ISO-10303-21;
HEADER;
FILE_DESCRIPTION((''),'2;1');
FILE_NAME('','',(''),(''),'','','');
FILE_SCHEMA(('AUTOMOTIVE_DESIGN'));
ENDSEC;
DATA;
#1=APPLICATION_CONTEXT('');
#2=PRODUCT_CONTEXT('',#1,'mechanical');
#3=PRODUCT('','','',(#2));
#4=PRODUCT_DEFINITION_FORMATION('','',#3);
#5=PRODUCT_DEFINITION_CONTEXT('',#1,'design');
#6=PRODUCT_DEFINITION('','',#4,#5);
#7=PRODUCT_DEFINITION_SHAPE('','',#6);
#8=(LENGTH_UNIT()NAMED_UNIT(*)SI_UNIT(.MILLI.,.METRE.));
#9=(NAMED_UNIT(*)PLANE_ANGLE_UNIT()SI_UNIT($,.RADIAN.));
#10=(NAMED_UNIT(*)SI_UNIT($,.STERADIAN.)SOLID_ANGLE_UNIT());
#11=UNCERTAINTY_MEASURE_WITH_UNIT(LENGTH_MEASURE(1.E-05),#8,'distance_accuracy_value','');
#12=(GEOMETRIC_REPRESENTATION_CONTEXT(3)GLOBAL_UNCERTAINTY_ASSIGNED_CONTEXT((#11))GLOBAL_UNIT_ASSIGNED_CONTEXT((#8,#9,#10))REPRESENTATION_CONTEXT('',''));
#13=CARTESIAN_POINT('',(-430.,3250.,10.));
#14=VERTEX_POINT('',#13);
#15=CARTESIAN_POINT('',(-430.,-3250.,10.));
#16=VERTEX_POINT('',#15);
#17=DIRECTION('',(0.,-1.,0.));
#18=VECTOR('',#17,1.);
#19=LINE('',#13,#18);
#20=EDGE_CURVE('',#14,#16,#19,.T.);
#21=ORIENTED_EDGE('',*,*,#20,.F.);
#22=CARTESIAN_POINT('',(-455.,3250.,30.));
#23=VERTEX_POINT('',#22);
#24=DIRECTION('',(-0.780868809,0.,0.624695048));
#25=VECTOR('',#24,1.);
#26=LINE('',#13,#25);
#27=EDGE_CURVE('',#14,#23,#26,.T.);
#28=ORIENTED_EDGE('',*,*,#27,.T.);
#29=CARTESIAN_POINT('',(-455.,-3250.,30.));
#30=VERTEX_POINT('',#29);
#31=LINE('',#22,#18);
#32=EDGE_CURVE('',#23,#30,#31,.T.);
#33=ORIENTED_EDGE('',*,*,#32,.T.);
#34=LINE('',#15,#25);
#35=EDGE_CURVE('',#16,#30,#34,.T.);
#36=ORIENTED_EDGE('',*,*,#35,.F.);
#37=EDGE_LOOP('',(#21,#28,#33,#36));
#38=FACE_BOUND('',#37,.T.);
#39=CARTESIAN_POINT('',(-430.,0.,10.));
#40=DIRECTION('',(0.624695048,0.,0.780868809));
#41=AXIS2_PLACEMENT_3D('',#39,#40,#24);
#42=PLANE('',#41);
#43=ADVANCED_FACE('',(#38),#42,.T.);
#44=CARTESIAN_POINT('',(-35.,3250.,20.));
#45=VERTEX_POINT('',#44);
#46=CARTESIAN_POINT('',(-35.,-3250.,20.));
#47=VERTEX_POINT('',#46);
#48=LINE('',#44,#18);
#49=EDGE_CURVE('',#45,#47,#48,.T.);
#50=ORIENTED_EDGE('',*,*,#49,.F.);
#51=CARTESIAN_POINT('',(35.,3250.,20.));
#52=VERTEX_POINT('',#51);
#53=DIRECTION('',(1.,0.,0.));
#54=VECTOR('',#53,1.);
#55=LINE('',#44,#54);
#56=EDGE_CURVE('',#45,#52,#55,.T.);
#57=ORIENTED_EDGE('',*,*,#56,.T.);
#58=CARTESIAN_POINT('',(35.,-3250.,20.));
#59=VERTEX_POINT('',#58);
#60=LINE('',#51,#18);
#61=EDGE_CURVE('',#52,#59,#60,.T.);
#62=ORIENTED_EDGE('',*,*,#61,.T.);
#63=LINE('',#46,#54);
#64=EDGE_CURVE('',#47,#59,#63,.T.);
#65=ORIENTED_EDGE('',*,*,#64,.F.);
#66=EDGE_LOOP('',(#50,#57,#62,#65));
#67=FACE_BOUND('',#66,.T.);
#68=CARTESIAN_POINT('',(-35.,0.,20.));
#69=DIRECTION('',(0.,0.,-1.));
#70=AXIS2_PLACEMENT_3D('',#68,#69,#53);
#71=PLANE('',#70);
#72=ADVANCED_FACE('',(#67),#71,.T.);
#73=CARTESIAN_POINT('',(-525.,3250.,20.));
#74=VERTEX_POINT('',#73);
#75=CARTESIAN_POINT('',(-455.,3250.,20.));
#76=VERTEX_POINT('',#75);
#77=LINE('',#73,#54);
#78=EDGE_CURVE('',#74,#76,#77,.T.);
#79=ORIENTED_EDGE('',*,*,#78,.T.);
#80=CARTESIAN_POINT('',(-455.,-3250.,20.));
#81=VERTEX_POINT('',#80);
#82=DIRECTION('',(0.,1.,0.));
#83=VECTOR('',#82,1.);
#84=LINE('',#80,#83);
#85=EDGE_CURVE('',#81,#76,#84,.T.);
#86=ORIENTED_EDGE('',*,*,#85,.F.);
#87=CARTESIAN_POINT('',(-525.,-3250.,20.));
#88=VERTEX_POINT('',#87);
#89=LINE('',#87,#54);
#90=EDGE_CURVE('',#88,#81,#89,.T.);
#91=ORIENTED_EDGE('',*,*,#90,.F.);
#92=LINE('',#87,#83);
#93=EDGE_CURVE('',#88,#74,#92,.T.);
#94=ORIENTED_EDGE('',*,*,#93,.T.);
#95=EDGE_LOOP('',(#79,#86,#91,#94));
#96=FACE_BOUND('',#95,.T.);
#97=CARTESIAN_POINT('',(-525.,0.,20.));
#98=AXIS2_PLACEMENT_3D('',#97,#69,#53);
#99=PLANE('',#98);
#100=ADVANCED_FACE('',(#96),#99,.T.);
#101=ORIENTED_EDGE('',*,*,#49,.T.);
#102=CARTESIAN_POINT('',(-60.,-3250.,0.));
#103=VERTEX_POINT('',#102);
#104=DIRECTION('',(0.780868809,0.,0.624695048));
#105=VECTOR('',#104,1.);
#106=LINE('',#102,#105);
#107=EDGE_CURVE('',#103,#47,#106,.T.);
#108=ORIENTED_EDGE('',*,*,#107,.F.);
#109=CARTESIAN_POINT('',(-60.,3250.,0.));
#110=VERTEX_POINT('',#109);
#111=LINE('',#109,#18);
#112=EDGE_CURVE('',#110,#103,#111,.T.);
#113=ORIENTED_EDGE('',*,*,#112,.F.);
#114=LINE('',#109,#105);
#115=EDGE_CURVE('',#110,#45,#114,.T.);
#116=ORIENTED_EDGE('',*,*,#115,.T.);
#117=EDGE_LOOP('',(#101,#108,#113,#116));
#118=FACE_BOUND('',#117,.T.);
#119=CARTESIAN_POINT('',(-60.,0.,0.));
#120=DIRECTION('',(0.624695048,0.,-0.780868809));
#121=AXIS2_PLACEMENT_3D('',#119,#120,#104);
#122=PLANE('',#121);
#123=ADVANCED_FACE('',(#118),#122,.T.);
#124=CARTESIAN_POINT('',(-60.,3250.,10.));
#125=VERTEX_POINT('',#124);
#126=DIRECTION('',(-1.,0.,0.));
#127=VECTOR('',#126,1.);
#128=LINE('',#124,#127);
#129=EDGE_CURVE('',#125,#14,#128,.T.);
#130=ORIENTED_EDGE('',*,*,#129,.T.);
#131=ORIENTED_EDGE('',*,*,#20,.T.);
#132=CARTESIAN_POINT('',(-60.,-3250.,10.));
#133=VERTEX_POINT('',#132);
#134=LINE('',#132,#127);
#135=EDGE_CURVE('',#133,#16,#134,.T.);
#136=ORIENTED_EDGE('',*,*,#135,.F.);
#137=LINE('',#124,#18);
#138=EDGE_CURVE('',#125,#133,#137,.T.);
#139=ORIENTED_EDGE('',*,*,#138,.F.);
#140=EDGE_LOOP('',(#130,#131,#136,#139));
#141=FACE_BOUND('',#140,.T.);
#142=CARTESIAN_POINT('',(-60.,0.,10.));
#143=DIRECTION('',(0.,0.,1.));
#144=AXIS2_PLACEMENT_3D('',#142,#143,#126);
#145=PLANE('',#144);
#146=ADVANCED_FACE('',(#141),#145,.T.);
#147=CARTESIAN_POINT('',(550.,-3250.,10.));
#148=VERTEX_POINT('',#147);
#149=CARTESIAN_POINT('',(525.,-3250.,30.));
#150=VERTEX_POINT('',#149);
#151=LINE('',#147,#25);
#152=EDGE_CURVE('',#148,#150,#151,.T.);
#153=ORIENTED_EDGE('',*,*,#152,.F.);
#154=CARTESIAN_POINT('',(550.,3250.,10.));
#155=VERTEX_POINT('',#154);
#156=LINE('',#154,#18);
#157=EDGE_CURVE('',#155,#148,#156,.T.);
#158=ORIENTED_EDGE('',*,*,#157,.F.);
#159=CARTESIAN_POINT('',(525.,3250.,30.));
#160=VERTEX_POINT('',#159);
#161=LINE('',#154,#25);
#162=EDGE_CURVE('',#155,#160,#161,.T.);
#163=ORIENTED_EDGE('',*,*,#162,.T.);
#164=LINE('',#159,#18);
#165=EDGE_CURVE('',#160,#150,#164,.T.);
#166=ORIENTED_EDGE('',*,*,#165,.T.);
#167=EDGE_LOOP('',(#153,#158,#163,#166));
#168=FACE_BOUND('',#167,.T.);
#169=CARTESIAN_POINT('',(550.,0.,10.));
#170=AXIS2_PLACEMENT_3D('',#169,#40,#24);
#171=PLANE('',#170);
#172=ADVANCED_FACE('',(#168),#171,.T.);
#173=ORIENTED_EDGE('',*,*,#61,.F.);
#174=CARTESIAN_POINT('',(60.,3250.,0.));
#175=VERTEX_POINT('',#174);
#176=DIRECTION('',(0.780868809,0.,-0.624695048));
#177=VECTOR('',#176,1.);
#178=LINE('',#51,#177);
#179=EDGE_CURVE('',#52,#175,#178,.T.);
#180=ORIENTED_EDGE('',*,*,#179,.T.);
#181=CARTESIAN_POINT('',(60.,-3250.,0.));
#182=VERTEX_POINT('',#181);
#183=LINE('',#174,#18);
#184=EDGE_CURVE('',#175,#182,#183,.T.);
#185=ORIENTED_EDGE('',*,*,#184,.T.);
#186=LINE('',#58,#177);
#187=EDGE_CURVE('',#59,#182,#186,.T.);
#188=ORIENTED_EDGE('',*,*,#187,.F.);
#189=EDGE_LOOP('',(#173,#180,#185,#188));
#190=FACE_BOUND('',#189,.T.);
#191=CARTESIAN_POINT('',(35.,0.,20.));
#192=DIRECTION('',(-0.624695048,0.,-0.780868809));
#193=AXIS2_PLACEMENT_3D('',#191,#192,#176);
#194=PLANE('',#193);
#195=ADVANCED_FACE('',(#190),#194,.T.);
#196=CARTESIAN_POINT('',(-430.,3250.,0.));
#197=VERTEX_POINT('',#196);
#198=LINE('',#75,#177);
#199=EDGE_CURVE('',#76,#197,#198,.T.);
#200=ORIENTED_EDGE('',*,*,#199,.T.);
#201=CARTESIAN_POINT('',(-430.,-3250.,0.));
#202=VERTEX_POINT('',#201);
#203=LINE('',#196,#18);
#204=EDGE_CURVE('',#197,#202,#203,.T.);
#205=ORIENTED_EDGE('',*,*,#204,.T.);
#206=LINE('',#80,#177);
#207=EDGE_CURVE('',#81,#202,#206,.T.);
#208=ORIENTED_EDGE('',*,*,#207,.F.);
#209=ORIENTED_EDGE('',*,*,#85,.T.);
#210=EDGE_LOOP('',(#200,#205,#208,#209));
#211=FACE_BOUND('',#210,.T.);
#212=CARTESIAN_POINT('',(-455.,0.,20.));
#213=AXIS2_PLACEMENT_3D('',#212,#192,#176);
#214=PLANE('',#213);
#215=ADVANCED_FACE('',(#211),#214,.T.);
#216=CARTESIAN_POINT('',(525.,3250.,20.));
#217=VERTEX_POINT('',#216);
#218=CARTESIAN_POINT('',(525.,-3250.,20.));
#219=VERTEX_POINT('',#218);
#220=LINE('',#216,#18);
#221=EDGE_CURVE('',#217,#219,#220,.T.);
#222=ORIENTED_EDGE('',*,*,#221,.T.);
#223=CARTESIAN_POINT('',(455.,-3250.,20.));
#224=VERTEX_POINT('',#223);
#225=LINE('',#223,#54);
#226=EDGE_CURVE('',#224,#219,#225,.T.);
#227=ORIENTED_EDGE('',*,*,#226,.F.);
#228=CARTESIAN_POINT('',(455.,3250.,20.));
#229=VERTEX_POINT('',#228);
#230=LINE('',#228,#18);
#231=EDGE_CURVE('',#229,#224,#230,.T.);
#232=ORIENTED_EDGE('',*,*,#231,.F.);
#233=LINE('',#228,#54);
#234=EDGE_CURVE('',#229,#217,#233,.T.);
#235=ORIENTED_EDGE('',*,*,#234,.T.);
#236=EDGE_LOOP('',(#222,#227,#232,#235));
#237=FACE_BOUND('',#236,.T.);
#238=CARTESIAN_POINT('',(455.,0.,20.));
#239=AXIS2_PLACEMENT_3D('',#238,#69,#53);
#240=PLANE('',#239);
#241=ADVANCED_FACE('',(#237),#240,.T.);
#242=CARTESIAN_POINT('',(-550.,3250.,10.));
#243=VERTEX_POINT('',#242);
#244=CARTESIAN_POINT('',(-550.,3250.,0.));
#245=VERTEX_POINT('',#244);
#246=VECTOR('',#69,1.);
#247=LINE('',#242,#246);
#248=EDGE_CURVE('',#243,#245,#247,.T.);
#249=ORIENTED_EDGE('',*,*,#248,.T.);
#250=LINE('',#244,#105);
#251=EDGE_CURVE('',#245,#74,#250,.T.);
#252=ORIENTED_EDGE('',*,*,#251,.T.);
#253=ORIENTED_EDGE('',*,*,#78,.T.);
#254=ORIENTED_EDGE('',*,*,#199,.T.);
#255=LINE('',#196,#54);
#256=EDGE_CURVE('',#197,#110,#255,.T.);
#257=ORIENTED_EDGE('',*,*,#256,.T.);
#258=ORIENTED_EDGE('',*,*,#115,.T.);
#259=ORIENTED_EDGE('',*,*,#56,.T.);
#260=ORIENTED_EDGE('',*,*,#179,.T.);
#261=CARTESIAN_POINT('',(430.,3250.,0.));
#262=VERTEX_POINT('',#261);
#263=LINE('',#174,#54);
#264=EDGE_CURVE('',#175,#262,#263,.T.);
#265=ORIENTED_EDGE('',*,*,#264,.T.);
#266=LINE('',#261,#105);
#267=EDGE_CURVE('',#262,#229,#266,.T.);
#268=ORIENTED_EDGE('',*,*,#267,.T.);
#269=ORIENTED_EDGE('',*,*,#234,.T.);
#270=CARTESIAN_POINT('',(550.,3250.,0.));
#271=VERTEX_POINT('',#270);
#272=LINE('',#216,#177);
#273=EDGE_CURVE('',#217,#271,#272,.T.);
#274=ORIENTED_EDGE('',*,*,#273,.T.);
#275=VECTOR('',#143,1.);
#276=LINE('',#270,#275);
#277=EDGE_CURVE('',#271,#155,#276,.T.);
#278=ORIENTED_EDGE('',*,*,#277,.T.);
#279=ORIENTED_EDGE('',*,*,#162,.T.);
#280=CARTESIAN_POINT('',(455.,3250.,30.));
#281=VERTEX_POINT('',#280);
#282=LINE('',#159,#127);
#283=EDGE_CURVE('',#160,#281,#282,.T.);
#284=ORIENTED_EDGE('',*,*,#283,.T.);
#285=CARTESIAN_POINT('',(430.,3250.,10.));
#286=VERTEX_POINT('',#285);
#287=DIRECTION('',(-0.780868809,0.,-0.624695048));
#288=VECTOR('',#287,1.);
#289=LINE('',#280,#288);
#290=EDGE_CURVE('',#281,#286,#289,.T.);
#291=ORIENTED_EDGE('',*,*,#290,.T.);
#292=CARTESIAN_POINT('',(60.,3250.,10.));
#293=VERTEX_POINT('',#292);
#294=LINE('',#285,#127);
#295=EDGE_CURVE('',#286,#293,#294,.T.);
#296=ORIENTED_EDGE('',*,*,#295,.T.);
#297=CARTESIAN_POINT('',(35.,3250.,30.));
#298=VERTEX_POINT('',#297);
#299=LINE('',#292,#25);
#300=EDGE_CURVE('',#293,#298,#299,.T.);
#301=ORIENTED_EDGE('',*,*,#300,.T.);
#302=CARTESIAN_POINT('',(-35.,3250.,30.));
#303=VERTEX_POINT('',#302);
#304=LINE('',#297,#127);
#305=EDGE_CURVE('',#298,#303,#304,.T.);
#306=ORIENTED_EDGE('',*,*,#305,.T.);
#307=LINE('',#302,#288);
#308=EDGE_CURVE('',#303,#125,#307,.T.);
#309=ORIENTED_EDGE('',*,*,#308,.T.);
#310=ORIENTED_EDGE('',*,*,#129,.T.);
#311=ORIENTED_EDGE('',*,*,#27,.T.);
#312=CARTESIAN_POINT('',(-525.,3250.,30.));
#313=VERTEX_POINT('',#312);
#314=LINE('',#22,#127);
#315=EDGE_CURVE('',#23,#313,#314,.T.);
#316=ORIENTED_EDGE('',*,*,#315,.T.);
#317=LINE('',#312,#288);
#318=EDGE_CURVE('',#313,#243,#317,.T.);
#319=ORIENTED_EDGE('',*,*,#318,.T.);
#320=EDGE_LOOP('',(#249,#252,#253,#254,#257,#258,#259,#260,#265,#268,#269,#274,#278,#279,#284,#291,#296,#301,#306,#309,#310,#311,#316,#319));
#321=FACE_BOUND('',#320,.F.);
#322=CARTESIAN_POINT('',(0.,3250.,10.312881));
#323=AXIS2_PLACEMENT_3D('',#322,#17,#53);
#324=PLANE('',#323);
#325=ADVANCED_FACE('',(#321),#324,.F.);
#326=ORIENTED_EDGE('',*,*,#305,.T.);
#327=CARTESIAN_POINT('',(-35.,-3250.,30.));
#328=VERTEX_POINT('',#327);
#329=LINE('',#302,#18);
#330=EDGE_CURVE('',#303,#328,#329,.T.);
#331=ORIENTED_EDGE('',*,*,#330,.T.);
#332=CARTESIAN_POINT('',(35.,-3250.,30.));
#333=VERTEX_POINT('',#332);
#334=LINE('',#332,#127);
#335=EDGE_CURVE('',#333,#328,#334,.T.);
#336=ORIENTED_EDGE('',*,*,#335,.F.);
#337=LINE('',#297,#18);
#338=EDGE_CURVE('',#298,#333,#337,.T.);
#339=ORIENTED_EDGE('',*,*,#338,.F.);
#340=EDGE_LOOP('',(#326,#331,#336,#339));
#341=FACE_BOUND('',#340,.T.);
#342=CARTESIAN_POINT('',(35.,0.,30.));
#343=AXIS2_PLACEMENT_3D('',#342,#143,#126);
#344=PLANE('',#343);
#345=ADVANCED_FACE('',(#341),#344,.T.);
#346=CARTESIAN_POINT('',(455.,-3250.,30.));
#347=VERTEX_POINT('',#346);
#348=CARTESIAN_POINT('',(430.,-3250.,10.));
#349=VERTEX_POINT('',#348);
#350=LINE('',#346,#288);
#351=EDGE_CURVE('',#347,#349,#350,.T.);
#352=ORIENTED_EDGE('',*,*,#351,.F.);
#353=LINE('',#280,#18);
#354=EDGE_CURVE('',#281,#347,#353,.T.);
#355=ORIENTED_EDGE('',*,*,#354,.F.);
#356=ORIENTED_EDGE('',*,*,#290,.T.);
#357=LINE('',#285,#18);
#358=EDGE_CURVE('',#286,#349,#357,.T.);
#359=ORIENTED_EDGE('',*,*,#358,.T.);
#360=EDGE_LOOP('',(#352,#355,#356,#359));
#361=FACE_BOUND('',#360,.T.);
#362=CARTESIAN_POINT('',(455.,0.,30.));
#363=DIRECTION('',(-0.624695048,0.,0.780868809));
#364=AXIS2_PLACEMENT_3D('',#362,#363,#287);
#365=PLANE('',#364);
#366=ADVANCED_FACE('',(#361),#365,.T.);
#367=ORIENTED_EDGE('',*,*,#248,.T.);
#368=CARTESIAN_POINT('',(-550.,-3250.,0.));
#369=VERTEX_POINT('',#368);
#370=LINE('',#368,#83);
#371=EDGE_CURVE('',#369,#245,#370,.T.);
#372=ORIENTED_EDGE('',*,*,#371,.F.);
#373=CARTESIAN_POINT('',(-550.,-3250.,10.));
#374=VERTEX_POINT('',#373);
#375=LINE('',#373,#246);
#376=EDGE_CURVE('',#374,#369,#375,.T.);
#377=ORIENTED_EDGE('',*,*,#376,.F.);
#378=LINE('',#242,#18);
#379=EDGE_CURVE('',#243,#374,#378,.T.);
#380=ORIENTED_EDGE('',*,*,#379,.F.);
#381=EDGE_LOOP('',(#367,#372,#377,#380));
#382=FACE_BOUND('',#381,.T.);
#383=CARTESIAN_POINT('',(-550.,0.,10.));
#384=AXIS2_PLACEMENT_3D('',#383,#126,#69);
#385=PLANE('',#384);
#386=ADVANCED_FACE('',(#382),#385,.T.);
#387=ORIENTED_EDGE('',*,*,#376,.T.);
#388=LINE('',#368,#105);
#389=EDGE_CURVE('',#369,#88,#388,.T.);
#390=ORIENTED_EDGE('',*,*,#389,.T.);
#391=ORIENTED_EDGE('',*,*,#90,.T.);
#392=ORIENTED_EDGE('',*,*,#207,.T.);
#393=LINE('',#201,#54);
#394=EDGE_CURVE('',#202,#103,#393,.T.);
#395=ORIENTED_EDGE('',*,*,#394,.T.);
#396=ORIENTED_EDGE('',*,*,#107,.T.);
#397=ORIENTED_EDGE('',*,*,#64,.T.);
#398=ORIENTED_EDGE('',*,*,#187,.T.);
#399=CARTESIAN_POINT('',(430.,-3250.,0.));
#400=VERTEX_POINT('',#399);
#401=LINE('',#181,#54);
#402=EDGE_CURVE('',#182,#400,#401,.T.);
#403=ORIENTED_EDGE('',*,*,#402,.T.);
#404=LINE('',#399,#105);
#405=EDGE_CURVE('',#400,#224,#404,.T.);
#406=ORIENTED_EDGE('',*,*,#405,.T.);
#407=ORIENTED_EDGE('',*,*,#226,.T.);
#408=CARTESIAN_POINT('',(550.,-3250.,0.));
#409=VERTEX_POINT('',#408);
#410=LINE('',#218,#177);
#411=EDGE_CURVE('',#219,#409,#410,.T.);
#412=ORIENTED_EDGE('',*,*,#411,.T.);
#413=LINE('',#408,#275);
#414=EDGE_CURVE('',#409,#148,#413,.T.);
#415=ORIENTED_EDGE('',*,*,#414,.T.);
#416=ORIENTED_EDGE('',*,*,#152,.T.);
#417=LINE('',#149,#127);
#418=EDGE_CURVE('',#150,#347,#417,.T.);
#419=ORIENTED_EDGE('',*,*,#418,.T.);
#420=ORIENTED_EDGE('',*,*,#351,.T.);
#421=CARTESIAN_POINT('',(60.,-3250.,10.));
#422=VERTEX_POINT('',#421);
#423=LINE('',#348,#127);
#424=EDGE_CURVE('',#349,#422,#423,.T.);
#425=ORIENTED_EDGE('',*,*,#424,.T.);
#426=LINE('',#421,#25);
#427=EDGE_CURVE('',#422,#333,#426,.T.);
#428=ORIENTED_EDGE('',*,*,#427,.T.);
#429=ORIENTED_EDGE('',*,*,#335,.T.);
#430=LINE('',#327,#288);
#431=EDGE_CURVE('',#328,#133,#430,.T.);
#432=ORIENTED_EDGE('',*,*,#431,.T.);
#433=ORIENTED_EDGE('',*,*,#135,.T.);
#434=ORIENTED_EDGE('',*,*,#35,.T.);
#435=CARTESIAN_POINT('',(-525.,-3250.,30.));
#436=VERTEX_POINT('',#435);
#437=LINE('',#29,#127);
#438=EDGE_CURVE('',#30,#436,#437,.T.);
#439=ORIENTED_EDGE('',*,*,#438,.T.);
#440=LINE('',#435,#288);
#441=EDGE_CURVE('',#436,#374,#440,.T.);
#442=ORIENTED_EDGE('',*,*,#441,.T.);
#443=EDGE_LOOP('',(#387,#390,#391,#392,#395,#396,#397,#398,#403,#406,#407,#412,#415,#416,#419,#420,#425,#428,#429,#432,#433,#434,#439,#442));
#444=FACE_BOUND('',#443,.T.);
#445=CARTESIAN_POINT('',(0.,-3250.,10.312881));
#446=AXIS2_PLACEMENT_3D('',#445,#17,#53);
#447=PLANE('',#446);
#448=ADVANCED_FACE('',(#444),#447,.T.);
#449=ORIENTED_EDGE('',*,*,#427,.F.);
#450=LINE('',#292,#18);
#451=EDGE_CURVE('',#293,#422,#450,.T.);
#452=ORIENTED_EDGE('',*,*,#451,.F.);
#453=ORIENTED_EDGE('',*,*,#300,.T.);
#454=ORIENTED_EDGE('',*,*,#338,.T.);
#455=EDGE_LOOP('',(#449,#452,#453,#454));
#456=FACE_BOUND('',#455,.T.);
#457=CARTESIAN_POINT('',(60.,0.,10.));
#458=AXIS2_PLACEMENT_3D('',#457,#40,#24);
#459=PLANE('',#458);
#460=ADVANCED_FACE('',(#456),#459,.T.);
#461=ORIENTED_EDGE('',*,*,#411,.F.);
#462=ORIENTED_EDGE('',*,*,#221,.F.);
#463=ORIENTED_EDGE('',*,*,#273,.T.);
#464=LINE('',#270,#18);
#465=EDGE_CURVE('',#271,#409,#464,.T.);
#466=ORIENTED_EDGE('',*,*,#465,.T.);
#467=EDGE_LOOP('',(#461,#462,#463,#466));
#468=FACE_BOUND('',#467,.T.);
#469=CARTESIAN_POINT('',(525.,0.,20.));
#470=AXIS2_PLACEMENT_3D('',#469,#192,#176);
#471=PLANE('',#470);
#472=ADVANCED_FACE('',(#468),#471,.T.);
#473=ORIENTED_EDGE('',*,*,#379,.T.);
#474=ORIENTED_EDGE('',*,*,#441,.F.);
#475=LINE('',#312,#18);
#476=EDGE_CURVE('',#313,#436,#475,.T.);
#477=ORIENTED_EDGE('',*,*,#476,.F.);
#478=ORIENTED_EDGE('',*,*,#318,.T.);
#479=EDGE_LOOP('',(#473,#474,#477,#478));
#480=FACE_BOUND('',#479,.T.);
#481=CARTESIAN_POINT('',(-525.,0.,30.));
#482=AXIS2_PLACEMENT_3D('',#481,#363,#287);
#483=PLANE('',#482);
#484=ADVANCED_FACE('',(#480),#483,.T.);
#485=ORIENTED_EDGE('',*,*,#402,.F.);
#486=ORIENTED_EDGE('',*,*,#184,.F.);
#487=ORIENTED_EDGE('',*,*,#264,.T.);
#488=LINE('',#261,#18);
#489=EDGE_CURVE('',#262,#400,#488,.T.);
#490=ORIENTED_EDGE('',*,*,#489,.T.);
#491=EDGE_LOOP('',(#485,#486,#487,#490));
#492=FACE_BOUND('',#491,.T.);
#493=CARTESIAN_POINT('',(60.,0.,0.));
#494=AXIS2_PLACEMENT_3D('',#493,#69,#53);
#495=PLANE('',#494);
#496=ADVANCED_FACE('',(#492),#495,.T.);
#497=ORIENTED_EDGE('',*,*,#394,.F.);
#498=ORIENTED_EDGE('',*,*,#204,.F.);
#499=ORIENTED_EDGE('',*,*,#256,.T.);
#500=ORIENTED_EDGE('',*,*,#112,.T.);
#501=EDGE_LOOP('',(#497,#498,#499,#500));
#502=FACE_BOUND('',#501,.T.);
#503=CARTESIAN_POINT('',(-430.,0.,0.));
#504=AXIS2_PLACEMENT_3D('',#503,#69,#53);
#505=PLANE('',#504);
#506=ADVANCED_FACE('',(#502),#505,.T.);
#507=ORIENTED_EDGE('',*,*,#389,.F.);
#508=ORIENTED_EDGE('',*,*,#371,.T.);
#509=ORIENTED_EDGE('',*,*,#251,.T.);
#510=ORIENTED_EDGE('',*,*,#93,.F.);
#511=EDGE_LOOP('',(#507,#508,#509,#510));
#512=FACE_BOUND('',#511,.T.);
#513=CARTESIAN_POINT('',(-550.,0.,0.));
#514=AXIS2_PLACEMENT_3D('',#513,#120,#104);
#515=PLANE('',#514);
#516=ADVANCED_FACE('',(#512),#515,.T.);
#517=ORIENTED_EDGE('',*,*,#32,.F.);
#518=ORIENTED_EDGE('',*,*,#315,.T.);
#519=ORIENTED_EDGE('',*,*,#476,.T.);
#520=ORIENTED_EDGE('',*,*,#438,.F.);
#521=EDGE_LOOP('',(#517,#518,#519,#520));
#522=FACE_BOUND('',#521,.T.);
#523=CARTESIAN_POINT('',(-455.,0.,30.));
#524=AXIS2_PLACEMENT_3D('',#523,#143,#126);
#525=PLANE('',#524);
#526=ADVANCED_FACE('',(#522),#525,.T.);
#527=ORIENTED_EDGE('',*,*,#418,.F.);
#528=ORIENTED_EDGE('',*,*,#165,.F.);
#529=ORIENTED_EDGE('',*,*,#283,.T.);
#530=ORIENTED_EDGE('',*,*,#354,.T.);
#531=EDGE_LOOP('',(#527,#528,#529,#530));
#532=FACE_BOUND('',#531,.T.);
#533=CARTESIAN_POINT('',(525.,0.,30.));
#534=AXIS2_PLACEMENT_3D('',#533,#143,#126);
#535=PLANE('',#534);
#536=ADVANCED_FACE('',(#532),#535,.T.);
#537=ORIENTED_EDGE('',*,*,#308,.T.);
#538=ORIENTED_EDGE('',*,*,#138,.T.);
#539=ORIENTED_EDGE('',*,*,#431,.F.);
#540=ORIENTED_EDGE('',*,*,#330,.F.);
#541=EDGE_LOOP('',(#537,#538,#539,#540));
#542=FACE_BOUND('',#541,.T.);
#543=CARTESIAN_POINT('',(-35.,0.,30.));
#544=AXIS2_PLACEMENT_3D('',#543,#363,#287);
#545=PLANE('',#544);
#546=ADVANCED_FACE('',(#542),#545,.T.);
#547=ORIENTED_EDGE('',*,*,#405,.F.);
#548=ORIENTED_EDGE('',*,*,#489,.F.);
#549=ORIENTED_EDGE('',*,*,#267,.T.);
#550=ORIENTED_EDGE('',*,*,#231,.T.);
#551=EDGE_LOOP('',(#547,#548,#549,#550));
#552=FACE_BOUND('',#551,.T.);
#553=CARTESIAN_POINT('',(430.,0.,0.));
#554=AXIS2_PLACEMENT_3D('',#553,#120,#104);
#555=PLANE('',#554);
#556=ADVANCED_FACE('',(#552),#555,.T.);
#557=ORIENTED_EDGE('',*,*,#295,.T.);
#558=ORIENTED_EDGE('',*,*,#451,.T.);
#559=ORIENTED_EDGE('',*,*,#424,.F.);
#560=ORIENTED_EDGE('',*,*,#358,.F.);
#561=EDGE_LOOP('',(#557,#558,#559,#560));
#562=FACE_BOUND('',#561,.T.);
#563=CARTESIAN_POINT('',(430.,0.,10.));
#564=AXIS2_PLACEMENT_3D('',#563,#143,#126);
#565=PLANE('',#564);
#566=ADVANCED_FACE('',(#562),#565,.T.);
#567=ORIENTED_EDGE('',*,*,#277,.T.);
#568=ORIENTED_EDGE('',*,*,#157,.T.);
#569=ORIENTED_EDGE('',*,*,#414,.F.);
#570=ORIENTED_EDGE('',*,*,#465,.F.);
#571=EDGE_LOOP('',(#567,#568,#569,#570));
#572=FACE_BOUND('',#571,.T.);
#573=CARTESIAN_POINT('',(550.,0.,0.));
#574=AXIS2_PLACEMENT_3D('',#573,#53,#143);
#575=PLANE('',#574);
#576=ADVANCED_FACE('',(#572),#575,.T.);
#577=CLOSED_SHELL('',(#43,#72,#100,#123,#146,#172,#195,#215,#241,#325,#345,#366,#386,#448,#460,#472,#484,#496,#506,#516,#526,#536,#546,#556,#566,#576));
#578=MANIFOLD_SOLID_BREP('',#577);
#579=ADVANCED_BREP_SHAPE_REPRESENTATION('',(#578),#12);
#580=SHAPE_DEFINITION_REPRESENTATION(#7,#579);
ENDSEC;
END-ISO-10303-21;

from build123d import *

# Parameters (mm, degrees)
F1_DEPTH = 3250


with BuildPart() as f1:
    # F0 (on Front) → F1 (new body, symmetric)
    with BuildSketch(Plane.XZ):
        Polygon((-455, 20), (-430, 0), (-60, 0), (-35, 20), (35, 20), (60, 0), (430, 0), (455, 20), (525, 20), (550, 0), (550, 10), (525, 30), (455, 30), (430, 10), (60, 10), (35, 30), (-35, 30), (-60, 10), (-430, 10), (-455, 30), (-525, 30), (-550, 10), (-550, 0), (-525, 20), align=None)
    extrude(amount=F1_DEPTH, both=True)


solid = f1.part
